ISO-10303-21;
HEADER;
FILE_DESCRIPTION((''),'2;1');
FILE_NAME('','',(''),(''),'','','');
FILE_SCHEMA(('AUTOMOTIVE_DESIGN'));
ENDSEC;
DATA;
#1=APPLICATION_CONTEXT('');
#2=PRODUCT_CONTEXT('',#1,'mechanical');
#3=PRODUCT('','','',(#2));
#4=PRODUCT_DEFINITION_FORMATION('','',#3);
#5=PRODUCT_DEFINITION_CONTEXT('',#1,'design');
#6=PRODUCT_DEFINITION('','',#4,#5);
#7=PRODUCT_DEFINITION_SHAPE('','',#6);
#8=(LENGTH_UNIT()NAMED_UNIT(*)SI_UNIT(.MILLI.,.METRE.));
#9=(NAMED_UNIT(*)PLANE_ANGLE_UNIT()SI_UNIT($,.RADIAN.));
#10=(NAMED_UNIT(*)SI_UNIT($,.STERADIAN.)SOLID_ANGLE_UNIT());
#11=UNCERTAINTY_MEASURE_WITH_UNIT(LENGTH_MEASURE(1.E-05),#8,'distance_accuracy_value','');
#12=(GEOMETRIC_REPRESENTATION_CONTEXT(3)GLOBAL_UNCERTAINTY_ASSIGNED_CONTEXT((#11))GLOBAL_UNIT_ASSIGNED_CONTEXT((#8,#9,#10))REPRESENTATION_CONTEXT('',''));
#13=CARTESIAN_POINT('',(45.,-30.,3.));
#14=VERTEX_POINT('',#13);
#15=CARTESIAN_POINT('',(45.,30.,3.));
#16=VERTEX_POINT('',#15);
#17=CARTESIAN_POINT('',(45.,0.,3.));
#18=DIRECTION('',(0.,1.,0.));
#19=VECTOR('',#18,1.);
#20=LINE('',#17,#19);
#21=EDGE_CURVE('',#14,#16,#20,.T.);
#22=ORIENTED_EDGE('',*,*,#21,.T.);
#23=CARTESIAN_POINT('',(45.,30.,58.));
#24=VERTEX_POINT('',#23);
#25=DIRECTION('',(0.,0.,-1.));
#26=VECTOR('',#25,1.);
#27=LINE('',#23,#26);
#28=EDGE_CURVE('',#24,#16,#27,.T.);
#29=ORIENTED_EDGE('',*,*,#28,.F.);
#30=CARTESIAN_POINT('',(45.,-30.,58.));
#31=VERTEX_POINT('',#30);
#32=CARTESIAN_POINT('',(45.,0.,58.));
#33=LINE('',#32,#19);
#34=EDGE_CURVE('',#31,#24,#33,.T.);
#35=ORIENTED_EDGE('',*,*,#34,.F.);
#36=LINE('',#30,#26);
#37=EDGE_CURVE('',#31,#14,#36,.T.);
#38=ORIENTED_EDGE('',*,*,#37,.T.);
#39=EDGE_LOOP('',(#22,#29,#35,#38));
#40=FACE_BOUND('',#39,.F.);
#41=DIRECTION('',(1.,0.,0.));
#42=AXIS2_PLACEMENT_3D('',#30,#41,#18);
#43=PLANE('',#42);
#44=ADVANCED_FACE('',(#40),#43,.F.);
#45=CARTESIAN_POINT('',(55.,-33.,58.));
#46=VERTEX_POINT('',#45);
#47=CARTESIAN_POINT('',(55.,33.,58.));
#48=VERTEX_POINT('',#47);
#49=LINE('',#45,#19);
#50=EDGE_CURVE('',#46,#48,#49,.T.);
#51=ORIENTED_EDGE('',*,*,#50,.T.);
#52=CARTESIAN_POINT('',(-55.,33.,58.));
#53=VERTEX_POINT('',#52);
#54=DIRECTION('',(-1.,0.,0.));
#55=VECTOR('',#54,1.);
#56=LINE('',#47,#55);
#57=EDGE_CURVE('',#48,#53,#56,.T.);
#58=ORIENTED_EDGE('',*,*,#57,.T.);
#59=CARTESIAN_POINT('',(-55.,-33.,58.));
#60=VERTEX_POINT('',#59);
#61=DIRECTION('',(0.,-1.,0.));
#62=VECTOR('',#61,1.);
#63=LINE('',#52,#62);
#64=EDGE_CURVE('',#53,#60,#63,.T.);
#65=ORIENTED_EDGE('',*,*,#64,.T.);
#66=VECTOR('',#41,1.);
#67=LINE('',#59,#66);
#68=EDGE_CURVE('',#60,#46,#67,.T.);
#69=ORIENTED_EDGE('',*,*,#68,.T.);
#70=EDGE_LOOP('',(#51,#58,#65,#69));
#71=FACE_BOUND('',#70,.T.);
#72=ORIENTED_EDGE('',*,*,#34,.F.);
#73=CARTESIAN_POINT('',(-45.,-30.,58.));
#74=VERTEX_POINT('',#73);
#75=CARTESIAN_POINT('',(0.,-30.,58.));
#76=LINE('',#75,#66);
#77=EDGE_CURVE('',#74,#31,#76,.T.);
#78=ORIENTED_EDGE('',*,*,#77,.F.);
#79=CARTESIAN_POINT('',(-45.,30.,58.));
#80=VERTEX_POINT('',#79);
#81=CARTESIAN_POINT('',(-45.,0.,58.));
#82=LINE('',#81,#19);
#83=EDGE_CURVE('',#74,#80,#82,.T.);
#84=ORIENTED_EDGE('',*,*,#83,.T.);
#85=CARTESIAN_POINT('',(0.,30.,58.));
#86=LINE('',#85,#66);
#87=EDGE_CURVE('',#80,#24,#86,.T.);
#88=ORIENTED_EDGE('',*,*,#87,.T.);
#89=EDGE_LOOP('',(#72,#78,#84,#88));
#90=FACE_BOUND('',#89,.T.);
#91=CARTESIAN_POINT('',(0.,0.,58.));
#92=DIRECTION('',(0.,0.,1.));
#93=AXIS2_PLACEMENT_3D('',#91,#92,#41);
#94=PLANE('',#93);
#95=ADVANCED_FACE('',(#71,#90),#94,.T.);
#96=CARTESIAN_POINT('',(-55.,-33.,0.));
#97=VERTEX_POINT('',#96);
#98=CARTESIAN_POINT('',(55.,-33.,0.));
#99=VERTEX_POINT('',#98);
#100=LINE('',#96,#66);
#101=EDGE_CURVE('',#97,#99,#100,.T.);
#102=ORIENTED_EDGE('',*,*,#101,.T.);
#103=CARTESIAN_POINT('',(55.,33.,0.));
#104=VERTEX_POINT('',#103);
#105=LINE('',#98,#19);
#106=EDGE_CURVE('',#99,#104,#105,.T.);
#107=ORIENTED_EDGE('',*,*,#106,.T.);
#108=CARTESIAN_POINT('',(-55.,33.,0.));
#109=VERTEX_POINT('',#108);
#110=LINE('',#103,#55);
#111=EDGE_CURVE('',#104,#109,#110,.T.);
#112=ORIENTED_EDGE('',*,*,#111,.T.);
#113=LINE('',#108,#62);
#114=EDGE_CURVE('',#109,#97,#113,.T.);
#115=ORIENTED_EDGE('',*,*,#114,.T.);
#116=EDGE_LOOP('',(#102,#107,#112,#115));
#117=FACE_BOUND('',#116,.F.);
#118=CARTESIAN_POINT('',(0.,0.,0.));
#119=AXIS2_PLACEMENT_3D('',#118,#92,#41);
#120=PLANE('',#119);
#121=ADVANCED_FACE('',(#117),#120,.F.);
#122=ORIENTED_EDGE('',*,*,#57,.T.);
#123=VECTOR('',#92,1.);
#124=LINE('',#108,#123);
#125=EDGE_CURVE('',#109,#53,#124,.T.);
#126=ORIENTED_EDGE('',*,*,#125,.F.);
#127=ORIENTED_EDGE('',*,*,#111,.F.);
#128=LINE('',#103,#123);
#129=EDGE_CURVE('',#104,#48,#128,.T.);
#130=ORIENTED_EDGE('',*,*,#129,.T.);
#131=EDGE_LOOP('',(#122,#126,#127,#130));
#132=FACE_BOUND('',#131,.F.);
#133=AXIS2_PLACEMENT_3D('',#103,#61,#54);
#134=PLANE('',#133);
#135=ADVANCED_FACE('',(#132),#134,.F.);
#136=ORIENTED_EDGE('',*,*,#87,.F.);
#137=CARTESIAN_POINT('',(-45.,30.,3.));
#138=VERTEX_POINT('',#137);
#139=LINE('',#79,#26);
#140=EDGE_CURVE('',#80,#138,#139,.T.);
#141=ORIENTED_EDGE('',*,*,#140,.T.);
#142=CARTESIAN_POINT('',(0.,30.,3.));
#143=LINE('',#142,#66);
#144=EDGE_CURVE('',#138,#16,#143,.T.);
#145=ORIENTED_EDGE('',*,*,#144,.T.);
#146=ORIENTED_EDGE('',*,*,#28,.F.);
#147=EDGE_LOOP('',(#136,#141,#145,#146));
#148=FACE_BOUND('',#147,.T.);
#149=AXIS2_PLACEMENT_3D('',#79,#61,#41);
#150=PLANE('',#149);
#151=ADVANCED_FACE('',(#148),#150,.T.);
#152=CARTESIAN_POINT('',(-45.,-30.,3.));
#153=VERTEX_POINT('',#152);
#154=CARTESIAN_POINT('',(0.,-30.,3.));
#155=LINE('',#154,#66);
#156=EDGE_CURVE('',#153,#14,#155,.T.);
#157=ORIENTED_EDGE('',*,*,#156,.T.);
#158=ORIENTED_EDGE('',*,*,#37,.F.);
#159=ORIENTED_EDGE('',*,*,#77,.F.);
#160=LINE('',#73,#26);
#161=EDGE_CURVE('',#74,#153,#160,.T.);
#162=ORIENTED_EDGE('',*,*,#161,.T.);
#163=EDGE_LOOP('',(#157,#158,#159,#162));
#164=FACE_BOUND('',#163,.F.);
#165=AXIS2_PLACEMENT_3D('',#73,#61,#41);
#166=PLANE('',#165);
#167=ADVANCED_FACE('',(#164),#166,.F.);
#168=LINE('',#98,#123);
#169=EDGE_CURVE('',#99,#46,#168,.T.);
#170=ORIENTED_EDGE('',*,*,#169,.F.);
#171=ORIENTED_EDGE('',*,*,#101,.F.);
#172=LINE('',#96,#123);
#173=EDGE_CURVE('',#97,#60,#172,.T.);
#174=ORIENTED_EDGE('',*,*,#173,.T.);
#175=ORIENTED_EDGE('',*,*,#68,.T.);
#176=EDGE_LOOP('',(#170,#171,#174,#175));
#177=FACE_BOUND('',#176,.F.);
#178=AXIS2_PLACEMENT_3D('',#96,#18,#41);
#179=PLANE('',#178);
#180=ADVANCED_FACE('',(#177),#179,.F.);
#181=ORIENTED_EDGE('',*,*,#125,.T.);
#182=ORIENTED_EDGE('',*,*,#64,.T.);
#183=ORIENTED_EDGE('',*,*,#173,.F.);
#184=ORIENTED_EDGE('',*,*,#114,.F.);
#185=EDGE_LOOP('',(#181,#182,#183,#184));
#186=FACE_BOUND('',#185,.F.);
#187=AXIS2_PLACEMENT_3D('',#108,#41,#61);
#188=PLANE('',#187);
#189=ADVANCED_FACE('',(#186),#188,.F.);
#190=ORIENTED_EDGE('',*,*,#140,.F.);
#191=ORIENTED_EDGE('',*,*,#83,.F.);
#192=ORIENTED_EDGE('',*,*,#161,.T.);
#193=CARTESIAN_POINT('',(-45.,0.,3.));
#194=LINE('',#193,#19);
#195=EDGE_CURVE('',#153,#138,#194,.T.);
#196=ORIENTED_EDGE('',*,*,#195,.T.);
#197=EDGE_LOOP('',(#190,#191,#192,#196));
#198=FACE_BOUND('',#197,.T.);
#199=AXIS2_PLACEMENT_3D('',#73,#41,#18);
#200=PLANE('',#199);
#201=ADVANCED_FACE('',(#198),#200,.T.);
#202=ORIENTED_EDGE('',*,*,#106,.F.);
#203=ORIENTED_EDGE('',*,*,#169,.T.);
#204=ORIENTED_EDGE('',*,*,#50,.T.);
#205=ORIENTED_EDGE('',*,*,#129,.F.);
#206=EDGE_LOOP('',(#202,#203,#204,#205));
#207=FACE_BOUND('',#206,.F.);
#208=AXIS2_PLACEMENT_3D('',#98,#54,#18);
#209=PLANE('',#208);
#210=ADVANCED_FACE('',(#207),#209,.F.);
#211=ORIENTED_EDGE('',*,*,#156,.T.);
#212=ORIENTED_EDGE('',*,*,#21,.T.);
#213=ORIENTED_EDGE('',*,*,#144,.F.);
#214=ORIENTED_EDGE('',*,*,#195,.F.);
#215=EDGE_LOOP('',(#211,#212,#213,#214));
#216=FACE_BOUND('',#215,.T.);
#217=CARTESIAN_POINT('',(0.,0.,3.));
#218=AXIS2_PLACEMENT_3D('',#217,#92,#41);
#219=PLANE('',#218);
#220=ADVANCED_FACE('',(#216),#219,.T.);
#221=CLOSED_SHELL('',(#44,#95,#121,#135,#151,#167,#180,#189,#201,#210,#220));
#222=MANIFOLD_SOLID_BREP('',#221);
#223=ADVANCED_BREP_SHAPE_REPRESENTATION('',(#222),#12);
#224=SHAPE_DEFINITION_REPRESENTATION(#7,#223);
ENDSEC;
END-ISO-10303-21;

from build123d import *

# Parameters (mm, degrees)
F0_W     = 90
F0_H     = 60
F1_DEPTH = 58
F2_W     = 90
F2_H     = 60
F3_DEPTH = 55
F4_DEPTH = 55


with BuildPart() as f1:
    # F0 (on Top) → F1 (new body)
    with BuildSketch(Plane.XY):
        Polygon((55, 33), (48, 33), (-48, 33), (-55, 33), (-55, -33), (-48, -33), (48, -33), (55, -33), align=None)
        Rectangle(F0_W, F0_H, mode=Mode.SUBTRACT)
        Rectangle(F0_W, F0_H)
    extrude(amount=F1_DEPTH)

    # F2 (on face) → F3 (join)
    with BuildSketch(Plane.XY.offset(58)):
        Rectangle(F2_W, F2_H)
    extrude(amount=-F3_DEPTH)

    # F2 (on face) → F4 (cut)
    with BuildSketch(Plane.XY.offset(58)):
        Rectangle(F2_W, F2_H)
    extrude(amount=-F4_DEPTH, mode=Mode.SUBTRACT)


solid = f1.part
